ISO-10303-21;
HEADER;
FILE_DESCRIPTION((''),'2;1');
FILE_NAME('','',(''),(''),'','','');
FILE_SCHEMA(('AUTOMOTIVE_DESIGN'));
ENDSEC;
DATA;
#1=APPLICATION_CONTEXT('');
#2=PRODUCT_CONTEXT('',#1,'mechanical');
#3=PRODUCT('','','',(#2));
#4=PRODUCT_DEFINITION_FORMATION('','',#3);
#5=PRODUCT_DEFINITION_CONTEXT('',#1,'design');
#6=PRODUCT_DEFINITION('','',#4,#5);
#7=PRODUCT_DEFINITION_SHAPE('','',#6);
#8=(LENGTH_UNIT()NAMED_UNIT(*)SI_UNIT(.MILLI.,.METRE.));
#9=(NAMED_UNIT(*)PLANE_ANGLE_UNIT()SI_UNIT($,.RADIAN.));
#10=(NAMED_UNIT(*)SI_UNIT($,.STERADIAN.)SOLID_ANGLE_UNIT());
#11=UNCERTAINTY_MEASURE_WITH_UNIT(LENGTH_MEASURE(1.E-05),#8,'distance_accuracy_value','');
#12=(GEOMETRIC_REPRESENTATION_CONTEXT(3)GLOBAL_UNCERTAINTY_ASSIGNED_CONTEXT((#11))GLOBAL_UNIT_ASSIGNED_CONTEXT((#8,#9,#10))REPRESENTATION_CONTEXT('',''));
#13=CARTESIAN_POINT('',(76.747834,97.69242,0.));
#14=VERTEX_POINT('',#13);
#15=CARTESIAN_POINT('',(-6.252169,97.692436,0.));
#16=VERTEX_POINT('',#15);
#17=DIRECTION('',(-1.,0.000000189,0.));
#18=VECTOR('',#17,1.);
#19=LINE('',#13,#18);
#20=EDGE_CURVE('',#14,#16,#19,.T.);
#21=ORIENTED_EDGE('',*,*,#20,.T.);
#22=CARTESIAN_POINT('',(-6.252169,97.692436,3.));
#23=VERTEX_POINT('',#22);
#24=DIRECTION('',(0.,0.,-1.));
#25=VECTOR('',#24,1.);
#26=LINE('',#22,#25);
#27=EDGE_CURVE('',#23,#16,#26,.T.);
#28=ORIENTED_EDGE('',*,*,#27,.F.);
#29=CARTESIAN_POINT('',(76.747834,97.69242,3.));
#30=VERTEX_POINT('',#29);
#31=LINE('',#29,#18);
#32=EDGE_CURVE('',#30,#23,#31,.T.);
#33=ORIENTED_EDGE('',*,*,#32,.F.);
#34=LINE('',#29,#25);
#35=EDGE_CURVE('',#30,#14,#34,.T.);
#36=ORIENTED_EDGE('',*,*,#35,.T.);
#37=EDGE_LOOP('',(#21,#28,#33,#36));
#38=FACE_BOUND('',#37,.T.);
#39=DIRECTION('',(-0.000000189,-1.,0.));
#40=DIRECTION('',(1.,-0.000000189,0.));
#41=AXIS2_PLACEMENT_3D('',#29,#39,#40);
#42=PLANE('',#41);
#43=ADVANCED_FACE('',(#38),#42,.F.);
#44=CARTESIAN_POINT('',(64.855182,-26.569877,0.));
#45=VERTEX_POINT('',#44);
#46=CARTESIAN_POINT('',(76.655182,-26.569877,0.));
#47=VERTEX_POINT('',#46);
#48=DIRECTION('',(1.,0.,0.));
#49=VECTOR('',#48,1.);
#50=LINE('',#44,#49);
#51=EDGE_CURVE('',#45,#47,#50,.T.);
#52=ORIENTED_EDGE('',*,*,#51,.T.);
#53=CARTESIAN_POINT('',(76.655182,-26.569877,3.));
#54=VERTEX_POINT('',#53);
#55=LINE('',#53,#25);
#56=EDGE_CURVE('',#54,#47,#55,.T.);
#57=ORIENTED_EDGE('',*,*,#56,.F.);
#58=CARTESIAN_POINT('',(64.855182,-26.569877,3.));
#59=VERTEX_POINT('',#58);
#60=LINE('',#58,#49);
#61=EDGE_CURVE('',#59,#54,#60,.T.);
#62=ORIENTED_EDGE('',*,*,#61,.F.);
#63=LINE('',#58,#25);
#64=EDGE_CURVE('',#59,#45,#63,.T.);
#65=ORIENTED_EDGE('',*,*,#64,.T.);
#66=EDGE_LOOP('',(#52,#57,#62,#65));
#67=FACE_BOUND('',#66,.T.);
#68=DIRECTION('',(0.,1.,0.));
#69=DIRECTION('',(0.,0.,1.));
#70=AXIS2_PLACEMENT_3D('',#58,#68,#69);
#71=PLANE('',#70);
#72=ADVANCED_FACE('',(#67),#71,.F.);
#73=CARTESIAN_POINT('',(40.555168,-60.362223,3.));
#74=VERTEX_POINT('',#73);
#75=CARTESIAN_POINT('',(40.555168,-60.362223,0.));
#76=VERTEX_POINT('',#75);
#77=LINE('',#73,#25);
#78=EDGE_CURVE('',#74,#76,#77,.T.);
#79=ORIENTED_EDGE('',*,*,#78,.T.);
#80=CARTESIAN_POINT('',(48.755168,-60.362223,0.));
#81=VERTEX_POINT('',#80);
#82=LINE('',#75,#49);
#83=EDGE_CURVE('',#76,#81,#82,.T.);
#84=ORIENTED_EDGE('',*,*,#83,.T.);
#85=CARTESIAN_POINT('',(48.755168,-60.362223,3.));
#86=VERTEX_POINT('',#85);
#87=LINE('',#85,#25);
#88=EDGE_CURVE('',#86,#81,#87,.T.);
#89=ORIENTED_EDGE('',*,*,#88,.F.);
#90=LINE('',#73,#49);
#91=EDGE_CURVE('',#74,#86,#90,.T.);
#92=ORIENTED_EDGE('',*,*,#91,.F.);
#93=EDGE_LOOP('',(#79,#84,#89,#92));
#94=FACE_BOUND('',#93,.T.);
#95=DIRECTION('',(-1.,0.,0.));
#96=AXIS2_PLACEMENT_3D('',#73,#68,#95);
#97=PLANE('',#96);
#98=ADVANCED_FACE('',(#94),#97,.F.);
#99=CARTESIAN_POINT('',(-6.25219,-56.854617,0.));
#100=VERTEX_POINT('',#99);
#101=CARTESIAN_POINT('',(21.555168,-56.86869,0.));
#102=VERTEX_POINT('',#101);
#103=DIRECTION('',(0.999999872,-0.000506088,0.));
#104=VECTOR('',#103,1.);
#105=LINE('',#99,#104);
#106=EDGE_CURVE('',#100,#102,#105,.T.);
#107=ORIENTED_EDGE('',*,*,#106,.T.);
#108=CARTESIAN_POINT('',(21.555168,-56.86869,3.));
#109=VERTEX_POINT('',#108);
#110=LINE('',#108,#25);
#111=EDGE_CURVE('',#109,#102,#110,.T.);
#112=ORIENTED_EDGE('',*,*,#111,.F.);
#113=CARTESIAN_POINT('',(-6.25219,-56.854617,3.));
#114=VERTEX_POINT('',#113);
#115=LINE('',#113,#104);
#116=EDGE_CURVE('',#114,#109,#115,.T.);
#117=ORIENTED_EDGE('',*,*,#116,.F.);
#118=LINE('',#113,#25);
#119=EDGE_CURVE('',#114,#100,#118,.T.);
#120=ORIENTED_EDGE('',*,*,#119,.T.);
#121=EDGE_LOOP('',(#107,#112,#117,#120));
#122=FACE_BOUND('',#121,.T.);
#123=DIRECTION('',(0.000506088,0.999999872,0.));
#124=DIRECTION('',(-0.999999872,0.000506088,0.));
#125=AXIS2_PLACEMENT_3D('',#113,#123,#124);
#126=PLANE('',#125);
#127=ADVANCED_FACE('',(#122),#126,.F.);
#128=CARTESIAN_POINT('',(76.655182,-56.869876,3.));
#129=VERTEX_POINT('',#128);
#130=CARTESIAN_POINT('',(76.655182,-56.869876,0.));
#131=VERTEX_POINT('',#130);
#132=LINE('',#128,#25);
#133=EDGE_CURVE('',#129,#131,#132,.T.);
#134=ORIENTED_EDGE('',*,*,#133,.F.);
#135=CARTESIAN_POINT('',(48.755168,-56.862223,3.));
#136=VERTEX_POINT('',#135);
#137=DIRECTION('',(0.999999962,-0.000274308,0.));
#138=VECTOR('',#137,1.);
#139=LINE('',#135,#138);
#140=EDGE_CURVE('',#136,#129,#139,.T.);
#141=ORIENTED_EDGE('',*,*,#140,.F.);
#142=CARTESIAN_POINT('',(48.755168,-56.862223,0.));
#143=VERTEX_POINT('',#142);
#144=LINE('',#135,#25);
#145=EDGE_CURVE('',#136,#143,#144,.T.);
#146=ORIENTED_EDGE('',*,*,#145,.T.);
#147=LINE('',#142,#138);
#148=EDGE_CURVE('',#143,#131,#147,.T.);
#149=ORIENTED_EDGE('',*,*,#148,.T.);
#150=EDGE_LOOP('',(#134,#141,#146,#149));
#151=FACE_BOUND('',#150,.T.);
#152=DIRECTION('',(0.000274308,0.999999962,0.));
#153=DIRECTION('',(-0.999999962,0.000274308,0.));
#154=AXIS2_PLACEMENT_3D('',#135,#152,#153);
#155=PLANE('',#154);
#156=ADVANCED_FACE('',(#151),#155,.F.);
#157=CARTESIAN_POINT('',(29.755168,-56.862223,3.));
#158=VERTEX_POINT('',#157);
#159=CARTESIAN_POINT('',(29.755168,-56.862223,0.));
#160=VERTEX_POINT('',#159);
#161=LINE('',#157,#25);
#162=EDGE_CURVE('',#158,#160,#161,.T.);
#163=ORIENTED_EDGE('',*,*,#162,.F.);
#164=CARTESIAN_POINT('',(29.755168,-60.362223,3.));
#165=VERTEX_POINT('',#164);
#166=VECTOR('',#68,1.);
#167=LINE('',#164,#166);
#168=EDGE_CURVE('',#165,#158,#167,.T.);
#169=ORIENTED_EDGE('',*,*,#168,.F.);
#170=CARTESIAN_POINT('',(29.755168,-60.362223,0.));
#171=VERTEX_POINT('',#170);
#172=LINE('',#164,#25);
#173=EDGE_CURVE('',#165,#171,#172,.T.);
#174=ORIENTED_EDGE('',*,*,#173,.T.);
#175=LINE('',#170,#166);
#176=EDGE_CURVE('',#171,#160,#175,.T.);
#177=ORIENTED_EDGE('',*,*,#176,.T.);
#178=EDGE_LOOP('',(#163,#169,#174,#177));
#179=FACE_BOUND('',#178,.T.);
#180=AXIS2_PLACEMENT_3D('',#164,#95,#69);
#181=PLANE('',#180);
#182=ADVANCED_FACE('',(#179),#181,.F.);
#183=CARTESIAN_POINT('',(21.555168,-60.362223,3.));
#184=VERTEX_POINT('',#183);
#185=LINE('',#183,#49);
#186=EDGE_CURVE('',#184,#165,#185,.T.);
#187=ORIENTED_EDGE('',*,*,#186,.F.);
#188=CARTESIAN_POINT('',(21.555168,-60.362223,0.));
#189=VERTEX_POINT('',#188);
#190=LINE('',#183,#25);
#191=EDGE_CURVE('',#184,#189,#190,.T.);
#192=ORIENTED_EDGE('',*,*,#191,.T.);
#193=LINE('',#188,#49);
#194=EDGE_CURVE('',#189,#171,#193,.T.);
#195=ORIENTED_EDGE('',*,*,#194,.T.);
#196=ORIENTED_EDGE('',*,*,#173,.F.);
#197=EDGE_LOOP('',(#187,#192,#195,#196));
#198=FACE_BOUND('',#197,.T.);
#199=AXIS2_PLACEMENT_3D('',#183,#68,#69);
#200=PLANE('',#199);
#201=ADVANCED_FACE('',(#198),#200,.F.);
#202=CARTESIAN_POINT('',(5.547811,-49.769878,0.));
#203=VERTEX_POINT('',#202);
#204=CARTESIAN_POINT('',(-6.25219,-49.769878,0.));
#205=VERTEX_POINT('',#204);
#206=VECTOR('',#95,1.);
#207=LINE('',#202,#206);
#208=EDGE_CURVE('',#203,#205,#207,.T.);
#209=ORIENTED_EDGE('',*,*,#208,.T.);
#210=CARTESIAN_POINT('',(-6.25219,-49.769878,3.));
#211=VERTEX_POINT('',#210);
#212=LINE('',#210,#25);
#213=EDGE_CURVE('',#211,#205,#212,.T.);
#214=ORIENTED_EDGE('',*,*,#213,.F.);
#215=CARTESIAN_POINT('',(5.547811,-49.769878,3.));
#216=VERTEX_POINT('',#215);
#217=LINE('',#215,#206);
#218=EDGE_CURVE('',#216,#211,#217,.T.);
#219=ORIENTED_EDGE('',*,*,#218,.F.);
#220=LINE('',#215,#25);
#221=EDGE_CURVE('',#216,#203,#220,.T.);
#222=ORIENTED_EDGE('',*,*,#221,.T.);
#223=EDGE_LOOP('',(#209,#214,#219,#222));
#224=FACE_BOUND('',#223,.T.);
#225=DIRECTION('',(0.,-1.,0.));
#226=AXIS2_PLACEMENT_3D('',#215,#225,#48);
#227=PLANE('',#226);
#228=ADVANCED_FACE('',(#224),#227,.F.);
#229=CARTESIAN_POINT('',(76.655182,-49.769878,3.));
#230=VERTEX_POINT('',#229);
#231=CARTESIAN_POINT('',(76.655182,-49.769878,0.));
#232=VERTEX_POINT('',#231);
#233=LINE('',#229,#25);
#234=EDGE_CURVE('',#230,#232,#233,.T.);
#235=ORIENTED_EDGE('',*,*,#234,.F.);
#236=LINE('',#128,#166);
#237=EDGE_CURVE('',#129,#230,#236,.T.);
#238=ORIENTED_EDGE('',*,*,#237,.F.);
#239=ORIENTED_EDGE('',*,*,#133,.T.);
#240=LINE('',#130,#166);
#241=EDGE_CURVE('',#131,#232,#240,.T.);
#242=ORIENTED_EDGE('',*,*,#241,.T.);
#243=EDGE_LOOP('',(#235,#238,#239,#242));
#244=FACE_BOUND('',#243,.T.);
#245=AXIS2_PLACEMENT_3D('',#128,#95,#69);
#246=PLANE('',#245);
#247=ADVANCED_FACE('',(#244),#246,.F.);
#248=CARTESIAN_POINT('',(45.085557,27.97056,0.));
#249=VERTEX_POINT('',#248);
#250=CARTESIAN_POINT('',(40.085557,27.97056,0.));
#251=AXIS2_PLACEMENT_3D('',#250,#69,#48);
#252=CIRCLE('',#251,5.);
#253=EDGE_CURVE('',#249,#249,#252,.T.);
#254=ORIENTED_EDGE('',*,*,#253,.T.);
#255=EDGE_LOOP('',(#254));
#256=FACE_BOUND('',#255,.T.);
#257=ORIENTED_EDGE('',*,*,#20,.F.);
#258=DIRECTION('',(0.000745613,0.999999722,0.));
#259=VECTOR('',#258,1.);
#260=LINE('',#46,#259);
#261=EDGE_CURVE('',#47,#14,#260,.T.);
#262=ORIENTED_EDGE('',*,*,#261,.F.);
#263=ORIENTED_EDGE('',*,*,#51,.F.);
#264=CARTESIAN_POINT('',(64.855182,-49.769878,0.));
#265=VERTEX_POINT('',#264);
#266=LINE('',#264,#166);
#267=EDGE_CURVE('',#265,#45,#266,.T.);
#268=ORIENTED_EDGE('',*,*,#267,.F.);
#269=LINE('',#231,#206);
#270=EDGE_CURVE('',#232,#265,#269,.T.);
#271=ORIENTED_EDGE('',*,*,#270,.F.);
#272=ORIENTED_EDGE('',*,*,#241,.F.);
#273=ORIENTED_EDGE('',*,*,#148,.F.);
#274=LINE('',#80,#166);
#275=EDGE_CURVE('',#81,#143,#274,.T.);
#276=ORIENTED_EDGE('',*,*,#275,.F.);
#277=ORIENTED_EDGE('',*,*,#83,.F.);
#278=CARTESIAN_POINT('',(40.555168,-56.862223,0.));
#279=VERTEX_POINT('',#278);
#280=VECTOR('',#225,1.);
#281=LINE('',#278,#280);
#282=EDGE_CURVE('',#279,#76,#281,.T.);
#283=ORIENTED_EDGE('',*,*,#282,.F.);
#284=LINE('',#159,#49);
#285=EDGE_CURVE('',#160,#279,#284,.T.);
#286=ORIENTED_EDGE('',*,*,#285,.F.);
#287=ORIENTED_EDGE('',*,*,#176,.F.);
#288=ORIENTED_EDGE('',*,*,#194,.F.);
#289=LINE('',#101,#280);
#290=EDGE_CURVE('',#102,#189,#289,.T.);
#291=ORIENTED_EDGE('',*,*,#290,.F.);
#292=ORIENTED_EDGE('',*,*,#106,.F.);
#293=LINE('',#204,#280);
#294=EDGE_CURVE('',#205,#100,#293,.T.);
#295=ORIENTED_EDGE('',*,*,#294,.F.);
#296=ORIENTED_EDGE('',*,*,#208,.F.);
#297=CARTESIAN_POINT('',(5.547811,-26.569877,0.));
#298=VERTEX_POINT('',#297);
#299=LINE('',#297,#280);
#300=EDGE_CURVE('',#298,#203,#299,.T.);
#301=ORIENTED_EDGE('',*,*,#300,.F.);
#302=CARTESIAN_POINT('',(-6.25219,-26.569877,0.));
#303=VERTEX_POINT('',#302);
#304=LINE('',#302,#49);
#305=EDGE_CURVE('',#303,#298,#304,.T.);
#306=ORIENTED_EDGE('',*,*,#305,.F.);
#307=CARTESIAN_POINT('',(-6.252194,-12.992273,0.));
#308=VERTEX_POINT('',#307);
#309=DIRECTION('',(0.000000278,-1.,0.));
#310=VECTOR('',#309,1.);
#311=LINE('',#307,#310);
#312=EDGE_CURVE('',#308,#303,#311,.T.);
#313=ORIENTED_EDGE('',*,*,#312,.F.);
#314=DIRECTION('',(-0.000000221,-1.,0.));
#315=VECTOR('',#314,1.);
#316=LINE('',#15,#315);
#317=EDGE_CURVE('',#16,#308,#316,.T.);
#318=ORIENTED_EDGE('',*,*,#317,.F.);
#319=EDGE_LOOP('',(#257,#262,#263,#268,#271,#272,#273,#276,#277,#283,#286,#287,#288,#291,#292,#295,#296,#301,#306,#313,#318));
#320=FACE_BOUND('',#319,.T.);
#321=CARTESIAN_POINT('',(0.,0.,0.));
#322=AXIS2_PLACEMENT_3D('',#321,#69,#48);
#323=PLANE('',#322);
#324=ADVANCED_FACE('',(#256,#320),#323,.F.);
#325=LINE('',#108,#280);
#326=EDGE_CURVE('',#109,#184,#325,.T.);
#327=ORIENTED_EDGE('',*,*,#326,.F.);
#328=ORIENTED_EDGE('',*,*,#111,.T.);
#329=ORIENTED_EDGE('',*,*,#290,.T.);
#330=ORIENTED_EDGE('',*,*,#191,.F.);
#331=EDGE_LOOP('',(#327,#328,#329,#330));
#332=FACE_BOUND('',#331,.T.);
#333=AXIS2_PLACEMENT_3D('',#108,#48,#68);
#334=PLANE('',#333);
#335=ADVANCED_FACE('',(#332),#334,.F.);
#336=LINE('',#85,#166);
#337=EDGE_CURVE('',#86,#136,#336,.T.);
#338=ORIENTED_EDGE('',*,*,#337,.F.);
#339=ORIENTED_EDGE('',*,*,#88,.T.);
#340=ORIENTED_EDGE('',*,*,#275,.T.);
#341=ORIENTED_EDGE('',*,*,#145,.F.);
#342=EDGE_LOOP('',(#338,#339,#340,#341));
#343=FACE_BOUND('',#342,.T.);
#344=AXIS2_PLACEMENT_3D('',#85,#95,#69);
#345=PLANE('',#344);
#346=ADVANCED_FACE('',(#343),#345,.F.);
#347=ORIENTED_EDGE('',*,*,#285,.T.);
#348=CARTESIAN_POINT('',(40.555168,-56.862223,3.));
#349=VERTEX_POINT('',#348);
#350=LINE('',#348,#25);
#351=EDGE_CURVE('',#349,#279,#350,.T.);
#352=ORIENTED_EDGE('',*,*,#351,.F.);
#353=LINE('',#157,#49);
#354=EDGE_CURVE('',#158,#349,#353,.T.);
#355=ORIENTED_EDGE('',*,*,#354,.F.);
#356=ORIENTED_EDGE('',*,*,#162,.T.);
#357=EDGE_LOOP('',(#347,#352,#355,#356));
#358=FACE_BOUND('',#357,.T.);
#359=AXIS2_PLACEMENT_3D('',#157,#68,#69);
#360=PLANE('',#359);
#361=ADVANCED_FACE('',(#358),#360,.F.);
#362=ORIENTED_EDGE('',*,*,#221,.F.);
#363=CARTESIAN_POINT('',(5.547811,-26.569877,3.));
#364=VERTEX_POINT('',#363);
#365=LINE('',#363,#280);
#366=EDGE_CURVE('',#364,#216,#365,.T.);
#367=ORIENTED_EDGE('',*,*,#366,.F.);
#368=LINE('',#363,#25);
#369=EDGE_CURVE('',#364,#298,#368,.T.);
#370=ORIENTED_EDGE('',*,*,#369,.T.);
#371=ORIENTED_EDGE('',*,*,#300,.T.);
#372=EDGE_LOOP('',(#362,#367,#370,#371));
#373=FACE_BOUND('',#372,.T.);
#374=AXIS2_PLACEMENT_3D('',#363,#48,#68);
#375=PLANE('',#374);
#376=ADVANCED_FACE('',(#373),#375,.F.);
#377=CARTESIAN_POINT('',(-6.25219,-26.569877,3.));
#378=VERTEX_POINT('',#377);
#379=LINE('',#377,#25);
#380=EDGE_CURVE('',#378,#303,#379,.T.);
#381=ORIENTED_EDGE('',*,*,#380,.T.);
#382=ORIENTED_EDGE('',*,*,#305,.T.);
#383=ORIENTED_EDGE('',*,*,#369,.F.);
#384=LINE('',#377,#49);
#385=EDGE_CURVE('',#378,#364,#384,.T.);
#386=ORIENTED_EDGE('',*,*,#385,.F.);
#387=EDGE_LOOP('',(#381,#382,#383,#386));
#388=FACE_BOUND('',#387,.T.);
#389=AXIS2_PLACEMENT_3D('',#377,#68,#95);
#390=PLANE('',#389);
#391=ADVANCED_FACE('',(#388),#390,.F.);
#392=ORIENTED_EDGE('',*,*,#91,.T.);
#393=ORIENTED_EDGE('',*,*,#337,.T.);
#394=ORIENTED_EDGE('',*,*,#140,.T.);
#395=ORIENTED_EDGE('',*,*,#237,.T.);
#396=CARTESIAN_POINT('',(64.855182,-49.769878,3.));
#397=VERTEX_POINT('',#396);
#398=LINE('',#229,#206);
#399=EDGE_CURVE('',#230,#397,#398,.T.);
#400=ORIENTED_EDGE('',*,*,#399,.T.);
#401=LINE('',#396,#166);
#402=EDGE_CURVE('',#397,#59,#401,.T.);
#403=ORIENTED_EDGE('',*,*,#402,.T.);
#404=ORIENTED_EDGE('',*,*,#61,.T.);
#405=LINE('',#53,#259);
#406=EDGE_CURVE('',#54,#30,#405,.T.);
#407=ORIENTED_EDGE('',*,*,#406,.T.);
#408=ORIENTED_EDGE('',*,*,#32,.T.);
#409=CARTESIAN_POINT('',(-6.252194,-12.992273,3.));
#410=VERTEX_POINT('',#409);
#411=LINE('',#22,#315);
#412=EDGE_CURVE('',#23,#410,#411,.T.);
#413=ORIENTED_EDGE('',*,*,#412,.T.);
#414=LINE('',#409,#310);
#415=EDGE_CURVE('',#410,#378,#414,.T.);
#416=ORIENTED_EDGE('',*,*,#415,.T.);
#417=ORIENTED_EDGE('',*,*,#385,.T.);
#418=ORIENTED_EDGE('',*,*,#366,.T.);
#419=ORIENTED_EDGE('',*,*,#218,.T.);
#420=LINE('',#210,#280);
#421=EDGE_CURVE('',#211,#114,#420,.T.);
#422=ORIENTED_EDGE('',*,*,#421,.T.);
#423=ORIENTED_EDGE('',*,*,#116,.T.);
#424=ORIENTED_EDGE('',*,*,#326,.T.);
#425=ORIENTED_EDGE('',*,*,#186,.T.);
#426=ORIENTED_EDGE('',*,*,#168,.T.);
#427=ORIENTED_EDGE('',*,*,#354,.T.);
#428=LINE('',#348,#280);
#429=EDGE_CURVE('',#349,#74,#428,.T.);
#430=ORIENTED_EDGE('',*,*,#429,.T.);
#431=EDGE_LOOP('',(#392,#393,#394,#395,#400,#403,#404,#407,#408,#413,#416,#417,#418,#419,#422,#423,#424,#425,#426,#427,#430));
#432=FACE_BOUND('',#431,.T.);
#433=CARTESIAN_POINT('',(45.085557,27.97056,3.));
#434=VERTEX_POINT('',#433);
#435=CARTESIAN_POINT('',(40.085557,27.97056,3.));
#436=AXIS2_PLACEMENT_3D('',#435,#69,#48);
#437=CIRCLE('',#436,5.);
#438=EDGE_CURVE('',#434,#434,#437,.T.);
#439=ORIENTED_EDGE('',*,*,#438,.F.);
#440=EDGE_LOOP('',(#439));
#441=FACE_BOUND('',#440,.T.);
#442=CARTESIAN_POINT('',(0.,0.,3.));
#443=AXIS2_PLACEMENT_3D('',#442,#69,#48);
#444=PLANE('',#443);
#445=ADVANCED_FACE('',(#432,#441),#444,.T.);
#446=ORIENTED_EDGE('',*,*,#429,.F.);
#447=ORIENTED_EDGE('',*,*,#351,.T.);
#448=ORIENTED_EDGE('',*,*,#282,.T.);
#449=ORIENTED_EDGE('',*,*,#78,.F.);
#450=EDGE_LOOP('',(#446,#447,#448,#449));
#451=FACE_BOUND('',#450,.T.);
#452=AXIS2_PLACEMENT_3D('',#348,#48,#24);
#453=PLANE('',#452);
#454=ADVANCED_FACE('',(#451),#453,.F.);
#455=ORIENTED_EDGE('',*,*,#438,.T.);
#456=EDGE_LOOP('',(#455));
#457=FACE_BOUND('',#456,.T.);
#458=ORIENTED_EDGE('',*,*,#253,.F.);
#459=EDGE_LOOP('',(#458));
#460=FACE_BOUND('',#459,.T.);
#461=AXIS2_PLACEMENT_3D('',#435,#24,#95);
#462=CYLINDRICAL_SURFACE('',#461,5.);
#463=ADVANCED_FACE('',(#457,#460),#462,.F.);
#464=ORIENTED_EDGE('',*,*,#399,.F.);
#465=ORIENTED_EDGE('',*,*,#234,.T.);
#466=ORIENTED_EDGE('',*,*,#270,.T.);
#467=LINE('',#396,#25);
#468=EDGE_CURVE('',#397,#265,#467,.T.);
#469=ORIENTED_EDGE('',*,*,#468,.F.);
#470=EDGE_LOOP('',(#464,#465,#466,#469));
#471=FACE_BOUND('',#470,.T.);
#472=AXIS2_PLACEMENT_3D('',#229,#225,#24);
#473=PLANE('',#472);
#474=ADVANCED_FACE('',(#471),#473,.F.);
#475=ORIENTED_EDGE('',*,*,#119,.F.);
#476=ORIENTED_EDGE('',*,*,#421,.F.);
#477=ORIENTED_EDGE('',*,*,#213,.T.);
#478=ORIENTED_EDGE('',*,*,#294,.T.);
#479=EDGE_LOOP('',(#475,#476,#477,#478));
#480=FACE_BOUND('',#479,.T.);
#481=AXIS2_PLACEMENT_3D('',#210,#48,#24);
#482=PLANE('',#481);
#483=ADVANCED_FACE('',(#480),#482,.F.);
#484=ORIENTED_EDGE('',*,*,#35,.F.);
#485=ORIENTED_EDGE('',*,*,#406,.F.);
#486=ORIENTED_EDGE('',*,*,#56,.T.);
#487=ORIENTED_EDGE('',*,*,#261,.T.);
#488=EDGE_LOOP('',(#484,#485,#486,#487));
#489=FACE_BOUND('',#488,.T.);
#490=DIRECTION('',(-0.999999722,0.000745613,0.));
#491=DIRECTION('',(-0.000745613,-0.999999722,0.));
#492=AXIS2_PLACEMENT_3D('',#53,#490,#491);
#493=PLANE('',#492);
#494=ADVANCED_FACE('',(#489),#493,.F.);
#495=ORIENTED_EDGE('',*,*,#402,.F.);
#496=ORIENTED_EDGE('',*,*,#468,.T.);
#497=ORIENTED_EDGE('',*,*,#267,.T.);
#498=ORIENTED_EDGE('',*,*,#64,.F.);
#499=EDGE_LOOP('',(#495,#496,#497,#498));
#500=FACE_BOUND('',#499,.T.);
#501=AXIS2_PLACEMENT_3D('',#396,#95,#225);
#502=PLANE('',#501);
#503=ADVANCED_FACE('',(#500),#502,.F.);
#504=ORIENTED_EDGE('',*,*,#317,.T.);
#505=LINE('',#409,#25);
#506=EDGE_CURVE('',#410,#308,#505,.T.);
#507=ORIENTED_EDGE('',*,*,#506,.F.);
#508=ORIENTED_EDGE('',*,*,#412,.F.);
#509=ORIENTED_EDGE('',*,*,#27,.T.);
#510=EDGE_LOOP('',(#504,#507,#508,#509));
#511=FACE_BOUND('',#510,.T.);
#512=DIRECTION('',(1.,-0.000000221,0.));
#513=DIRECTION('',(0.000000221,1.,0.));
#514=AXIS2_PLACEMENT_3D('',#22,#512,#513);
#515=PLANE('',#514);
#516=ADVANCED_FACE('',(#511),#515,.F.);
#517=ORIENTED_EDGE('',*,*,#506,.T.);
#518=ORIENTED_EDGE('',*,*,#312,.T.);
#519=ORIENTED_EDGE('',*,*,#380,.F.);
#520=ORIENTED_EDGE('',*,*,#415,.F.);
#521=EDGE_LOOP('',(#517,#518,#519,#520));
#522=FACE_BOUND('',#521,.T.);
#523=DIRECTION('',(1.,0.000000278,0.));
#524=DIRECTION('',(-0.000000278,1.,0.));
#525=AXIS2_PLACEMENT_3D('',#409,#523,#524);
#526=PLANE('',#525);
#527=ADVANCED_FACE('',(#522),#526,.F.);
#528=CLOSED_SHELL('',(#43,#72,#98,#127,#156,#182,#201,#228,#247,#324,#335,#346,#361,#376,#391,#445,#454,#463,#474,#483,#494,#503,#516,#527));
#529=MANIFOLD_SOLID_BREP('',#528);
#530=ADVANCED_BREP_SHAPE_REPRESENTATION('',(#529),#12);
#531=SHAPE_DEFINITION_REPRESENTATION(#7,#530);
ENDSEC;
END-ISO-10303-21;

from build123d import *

# Parameters (mm, degrees)
MODEL_R                 = 5
SALIENTE_EXTRUIR1_DEPTH = 3


with BuildPart() as part:
    # Model → Saliente-Extruir1 (new body)
    with BuildSketch(Plane.XY):
        Polygon((-6.252169072, 97.692435924), (-6.252193556, -12.992273376), (-6.252189787, -26.569876975), (5.547810863, -26.569876975), (5.547810863, -49.769877975), (-6.252190137, -49.769877975), (-6.252190137, -56.854616562), (21.555168443, -56.868689524), (21.555168443, -60.362222872), (29.755168443, -60.362222872), (29.755168443, -56.862222872), (40.555168443, -56.862222872), (40.555168443, -60.362222872), (48.755168443, -60.362222872), (48.755168443, -56.862222872), (76.65518199, -56.869876074), (76.65518199, -49.769878074), (64.85518199, -49.769878074), (64.85518199, -26.569877074), (76.65518199, -26.569877074), (76.747833538, 97.692420221), align=None)
        with Locations((40.085557046, 27.970559754)):
            Circle(MODEL_R, mode=Mode.SUBTRACT)
    extrude(amount=SALIENTE_EXTRUIR1_DEPTH)


solid = part.part
